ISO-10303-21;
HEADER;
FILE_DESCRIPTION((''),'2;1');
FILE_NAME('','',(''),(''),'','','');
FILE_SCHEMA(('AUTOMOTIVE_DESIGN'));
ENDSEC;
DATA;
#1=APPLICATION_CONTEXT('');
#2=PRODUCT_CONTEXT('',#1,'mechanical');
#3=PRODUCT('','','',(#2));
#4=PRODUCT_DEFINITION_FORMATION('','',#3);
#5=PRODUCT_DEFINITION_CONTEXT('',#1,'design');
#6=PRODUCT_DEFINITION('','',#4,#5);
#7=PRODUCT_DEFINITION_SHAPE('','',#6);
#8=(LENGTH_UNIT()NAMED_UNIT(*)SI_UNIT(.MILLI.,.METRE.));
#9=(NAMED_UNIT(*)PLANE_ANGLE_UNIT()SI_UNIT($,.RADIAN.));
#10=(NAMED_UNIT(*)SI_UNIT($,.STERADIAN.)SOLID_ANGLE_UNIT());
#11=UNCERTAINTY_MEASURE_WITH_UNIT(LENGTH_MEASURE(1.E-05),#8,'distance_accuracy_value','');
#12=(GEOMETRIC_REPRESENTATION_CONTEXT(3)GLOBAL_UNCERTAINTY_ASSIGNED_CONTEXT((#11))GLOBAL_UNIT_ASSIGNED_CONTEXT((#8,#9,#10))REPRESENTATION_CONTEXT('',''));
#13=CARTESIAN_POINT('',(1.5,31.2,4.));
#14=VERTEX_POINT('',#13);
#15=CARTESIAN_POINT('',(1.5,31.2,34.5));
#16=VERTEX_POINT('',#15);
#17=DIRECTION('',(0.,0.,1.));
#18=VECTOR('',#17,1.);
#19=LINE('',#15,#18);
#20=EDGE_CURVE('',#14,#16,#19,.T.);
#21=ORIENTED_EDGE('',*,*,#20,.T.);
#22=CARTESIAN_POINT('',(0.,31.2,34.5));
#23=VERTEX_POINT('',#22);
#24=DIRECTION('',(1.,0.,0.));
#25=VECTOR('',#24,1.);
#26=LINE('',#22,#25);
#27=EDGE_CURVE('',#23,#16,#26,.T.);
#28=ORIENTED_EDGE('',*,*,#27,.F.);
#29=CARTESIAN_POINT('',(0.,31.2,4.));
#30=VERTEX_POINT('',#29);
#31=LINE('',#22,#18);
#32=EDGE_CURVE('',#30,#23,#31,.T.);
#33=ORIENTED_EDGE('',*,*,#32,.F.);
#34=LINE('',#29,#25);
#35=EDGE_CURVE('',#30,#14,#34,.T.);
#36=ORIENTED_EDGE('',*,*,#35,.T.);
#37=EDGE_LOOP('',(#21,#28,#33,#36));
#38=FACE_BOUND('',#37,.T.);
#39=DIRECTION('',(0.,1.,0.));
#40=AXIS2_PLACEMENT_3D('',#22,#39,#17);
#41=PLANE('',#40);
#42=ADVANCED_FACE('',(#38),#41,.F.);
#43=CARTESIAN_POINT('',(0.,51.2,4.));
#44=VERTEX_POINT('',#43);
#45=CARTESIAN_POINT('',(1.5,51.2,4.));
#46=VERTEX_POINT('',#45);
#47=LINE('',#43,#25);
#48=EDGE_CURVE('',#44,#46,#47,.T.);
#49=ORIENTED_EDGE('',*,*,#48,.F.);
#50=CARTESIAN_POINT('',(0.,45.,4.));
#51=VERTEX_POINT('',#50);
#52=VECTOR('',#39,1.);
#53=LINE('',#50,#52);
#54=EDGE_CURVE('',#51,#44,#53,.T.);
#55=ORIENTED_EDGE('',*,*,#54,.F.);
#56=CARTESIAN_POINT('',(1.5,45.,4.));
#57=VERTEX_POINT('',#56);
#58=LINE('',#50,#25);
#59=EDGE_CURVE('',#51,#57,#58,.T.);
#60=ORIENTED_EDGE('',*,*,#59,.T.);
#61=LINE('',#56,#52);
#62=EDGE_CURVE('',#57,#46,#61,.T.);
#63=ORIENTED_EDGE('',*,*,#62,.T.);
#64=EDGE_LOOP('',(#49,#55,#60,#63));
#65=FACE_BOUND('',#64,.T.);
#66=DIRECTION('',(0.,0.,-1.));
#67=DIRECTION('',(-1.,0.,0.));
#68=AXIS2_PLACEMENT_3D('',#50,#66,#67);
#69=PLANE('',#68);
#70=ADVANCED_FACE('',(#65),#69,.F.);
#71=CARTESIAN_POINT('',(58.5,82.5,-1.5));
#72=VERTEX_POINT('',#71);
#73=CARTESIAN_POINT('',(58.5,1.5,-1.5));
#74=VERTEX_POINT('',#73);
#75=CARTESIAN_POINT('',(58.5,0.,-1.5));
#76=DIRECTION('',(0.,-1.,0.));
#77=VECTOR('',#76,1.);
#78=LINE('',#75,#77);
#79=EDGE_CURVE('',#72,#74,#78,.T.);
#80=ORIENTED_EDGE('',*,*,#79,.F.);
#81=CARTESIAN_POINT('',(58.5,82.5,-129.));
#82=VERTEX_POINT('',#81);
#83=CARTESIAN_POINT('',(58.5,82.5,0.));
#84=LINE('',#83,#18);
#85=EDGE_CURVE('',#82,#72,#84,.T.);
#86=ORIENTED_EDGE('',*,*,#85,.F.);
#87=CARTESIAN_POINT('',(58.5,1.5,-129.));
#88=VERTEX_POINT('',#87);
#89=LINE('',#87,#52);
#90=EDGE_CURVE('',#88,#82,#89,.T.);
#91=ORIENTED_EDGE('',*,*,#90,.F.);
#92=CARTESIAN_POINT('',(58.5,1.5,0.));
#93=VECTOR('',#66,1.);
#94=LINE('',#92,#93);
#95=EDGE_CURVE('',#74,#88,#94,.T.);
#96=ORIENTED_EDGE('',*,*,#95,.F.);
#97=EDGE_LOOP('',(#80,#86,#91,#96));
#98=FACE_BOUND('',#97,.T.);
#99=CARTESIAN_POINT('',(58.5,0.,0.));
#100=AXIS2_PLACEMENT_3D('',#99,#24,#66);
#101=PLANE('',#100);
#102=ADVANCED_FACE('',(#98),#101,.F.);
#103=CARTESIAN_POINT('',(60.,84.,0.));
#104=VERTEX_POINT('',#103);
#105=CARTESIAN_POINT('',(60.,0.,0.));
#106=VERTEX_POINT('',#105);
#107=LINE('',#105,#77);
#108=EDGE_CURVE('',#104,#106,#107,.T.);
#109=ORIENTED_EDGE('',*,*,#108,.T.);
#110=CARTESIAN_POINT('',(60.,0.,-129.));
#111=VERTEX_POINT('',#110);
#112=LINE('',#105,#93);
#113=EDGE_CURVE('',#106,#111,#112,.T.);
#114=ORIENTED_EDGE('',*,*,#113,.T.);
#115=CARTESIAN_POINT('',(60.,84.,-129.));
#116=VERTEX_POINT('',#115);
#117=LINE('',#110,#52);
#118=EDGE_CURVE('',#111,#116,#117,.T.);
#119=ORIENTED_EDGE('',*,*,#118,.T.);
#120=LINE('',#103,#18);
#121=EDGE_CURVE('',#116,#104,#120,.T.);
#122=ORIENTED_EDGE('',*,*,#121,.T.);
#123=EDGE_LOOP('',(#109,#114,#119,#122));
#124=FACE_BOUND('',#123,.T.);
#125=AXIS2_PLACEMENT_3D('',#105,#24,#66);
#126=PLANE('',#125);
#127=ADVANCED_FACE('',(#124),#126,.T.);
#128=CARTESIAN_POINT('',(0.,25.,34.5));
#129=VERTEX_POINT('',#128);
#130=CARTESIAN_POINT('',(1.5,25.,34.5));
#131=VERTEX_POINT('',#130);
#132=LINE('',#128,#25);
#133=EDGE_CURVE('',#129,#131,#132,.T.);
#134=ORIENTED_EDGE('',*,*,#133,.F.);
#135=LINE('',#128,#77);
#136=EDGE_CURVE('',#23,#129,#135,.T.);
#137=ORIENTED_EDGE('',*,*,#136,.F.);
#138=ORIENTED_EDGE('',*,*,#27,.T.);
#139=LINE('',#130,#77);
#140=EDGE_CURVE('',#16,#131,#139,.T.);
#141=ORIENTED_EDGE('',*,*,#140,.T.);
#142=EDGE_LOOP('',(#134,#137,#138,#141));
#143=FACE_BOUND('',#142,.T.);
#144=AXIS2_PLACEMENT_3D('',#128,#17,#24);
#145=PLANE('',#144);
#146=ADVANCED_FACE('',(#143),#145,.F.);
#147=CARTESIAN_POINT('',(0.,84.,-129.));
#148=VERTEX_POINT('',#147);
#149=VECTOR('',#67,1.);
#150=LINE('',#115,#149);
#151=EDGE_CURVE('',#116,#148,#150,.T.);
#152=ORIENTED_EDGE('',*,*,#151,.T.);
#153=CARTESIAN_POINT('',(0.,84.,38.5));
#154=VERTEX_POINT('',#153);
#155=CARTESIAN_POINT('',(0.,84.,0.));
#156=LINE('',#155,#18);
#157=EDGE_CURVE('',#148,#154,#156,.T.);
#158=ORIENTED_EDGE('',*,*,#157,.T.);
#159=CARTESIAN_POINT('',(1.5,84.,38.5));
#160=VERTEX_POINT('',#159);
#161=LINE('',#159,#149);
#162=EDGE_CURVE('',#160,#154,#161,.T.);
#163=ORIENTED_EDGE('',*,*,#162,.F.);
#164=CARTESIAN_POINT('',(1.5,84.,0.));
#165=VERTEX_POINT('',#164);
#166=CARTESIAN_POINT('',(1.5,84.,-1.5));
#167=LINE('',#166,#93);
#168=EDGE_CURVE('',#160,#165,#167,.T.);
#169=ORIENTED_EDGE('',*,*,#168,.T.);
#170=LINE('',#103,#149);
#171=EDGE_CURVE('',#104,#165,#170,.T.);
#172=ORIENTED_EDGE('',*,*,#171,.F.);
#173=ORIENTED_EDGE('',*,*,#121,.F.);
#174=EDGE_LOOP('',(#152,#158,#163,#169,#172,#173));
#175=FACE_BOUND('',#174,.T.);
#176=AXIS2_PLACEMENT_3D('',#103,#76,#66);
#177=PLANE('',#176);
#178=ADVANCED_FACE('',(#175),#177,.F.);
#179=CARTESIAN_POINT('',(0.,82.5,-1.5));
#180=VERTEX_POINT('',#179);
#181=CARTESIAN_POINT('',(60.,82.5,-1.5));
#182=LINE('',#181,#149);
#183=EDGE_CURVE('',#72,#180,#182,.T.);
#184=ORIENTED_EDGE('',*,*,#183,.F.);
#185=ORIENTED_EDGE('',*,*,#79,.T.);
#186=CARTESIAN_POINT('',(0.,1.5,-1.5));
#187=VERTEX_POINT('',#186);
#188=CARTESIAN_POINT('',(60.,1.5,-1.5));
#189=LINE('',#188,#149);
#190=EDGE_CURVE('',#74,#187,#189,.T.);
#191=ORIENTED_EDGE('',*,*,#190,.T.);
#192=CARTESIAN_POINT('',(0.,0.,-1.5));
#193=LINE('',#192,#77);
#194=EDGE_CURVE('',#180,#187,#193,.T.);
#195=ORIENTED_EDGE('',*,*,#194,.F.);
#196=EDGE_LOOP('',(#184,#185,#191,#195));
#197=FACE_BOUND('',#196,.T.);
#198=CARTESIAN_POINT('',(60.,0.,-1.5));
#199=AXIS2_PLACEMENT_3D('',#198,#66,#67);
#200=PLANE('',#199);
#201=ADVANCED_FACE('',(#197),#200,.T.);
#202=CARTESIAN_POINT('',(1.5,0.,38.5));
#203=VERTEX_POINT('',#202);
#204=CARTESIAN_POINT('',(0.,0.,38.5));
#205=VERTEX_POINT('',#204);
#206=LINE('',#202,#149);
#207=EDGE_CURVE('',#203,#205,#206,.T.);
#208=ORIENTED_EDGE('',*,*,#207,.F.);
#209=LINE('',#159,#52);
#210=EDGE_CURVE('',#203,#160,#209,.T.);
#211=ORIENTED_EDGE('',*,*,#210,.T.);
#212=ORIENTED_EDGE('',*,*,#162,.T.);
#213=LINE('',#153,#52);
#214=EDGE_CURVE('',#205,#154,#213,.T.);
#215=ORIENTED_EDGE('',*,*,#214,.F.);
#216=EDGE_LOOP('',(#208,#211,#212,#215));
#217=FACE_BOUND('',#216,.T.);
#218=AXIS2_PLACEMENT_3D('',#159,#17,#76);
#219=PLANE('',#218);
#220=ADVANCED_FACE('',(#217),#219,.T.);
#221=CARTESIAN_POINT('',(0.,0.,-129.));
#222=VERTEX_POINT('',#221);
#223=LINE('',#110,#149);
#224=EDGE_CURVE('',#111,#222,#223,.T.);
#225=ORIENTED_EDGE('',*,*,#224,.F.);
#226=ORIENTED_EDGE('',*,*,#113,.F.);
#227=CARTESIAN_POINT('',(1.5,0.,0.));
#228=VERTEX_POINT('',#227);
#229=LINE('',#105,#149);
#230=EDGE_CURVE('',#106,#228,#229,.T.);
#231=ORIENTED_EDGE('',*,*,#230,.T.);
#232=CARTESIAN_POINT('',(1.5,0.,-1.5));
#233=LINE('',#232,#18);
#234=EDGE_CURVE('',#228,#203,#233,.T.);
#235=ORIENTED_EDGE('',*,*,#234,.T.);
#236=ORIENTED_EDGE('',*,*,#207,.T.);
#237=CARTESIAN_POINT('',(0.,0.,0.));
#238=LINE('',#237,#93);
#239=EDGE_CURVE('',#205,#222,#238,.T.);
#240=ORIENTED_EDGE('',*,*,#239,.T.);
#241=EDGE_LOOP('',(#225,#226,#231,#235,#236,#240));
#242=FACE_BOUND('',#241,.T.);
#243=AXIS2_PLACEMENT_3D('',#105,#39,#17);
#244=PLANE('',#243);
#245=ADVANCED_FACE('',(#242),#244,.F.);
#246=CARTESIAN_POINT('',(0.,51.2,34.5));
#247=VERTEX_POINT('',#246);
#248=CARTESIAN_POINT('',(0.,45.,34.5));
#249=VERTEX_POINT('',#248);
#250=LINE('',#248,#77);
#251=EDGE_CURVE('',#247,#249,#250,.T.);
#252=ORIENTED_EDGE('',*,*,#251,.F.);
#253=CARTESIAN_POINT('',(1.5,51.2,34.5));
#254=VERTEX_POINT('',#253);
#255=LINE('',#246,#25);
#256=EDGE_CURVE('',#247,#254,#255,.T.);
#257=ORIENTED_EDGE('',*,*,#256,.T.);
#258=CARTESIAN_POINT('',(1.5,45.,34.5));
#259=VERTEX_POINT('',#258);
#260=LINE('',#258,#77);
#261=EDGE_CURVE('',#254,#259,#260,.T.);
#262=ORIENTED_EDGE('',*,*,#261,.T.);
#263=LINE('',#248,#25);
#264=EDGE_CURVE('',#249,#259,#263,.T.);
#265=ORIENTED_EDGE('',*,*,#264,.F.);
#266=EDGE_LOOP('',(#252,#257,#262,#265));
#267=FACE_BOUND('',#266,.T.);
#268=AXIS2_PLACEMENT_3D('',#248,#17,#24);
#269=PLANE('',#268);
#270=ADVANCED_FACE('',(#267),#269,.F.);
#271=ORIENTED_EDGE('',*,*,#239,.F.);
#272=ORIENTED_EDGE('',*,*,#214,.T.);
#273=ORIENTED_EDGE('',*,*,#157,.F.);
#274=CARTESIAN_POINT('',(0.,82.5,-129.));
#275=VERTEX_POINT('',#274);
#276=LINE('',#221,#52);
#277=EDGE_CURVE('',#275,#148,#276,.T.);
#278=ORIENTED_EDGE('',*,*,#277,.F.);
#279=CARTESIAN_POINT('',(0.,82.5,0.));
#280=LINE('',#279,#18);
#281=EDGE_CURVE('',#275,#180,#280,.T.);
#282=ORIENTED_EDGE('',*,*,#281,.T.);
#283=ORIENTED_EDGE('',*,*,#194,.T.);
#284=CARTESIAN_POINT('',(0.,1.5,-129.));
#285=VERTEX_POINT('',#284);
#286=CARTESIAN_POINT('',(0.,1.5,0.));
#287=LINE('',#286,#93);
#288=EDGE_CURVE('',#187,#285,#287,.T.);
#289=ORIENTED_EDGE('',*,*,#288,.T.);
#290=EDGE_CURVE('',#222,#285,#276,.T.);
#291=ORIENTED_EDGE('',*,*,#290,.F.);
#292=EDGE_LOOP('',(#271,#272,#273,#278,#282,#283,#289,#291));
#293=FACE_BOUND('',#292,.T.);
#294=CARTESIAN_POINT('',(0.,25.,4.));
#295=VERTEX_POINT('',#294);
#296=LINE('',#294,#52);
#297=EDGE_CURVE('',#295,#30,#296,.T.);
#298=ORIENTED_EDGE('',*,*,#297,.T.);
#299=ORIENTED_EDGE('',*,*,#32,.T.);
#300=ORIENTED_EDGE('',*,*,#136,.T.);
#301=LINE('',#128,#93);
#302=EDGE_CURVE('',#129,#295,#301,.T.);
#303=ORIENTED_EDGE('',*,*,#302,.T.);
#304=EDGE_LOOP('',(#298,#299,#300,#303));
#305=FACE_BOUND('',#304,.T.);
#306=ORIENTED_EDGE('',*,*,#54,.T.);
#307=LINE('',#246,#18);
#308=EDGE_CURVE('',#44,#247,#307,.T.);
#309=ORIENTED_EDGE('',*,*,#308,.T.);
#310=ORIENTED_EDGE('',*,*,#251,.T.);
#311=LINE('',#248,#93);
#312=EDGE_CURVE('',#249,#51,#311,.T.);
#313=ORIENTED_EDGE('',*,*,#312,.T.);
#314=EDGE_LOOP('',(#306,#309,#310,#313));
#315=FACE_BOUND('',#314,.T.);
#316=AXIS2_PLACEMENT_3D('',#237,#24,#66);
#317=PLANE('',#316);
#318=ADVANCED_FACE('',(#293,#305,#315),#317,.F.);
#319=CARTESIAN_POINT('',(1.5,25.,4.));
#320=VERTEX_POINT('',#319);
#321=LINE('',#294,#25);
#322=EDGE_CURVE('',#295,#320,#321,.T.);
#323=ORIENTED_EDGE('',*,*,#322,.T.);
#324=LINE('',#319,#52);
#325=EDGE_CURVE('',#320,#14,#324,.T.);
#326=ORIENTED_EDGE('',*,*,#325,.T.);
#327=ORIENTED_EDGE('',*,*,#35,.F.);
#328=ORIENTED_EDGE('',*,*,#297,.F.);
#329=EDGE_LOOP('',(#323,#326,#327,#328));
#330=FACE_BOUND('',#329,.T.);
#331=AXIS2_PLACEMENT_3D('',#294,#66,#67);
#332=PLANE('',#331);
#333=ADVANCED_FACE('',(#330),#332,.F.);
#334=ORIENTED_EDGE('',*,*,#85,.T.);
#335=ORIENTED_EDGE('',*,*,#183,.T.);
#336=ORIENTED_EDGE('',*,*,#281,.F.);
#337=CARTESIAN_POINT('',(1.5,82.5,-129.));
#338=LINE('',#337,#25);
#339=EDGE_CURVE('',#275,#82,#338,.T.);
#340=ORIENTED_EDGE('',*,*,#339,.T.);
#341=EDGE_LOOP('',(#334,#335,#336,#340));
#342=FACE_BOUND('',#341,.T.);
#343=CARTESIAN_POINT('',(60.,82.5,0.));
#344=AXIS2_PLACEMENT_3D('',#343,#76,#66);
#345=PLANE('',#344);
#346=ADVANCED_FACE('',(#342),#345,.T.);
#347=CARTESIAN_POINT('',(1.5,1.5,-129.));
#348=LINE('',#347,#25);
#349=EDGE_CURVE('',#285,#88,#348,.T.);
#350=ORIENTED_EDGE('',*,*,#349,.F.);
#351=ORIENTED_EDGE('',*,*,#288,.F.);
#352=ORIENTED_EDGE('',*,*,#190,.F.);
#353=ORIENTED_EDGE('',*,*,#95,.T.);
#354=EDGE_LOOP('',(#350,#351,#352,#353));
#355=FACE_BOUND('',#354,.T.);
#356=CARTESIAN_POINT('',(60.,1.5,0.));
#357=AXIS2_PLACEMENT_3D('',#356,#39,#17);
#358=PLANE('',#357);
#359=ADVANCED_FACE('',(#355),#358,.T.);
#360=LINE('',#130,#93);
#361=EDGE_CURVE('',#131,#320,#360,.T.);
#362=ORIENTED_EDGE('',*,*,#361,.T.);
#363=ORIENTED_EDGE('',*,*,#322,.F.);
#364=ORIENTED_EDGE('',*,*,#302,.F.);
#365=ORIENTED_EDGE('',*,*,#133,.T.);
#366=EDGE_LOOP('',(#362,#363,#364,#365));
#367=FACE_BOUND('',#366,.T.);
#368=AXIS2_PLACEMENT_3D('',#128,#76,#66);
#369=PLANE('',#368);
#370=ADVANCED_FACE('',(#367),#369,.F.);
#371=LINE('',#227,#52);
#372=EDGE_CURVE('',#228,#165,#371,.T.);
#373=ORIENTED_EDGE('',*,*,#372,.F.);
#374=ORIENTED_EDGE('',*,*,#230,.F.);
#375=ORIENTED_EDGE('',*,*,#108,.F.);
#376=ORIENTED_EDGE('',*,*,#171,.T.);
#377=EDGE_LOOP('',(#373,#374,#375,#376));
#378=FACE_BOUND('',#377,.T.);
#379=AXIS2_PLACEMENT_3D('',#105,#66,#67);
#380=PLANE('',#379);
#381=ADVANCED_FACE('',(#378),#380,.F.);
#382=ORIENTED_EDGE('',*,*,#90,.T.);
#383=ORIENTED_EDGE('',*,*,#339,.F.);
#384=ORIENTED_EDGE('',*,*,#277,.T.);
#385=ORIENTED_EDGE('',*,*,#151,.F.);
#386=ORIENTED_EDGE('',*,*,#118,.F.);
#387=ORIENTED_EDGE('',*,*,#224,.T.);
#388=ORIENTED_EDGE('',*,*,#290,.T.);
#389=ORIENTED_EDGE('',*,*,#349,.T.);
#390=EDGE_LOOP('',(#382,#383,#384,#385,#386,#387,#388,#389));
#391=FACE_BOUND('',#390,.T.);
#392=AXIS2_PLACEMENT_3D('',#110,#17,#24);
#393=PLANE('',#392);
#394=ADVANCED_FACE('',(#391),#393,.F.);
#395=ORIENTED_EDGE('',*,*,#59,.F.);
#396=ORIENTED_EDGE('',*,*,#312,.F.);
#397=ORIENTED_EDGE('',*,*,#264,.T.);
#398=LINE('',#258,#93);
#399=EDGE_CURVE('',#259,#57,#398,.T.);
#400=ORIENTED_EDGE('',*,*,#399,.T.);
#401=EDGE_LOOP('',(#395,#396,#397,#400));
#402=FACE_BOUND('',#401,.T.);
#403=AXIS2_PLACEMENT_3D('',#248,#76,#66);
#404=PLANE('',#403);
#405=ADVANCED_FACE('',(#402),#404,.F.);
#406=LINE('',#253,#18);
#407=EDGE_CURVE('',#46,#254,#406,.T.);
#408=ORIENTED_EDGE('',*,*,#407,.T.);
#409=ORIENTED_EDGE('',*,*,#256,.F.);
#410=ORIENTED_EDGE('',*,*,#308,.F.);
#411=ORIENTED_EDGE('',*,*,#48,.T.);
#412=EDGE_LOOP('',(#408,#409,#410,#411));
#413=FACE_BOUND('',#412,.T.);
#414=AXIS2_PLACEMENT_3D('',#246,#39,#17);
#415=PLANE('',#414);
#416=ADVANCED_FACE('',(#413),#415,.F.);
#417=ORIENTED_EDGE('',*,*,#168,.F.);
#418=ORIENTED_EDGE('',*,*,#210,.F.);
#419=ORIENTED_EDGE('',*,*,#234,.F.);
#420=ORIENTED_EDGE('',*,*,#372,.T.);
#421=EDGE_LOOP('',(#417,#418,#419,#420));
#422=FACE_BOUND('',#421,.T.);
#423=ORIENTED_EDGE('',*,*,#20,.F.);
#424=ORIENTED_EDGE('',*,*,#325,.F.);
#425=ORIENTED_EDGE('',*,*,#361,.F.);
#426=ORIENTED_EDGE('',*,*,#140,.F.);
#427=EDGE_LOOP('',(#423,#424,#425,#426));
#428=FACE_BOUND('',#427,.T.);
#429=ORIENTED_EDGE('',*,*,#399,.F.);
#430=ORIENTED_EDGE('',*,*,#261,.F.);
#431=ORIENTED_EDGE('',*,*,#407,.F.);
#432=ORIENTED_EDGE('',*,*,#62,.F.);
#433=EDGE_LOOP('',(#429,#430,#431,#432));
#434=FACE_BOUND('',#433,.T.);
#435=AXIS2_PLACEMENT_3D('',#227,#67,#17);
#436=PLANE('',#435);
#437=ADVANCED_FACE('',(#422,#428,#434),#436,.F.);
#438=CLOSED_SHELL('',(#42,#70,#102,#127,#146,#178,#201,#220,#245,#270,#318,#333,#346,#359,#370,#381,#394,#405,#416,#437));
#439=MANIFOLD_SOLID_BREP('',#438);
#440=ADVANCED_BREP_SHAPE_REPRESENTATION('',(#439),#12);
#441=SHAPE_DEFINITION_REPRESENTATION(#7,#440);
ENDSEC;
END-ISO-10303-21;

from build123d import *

# Parameters (mm, degrees)
SKETCH1_W           = 84
SKETCH1_H           = 129
BOSS_EXTRUDE1_DEPTH = 60
SHELL1_T            = -1.5
CUT_EXTRUDE1_DEPTH  = 127.5
SKETCH3_W           = 40
SKETCH3_H           = 84
BOSS_EXTRUDE2_DEPTH = 1.5
SKETCH4_W           = 30.5
SKETCH4_H           = 6.2
CUT_EXTRUDE2_DEPTH  = 165.679233664


with BuildPart() as part:
    # Sketch1 → Boss-Extrude1 (new body)
    with BuildSketch(Plane.YZ):
        with Locations((42, -64.5)):
            Rectangle(SKETCH1_W, SKETCH1_H)
    extrude(amount=BOSS_EXTRUDE1_DEPTH)

    # Shell1
    shell1_openings = [part.faces().sort_by_distance(p)[0] for p in [
        (0, 42, -64.5),
    ]]
    offset(amount=SHELL1_T, openings=shell1_openings, kind=Kind.INTERSECTION)

    # Sketch2 → Cut-Extrude1 (cut)
    with BuildSketch(Plane(origin=(0, 0, -129), x_dir=(1, 0, 0), z_dir=(0, 0, -1))):
        Polygon((1.5, -82.5), (58.5, -82.5), (58.5, -1.5), (1.5, -1.5), (0, -1.5), (0, -82.5), align=None)
    extrude(amount=-CUT_EXTRUDE1_DEPTH, mode=Mode.SUBTRACT)

    # Sketch3 → Boss-Extrude2 (add)
    with BuildSketch(Plane.ZY):
        with Locations((18.5, 42)):
            Rectangle(SKETCH3_W, SKETCH3_H)
    extrude(amount=-BOSS_EXTRUDE2_DEPTH)

    # Sketch4 → Cut-Extrude2 (cut, through all)
    with BuildSketch(Plane(origin=(1.5, 0, 0), x_dir=(0, 0, -1), z_dir=(1, 0, 0))):
        with Locations((-19.25, 28.1)):
            Rectangle(SKETCH4_W, SKETCH4_H)
        with Locations((-19.25, 48.1)):
            Rectangle(SKETCH4_W, SKETCH4_H)
    extrude(amount=-CUT_EXTRUDE2_DEPTH, mode=Mode.SUBTRACT)


solid = part.part
